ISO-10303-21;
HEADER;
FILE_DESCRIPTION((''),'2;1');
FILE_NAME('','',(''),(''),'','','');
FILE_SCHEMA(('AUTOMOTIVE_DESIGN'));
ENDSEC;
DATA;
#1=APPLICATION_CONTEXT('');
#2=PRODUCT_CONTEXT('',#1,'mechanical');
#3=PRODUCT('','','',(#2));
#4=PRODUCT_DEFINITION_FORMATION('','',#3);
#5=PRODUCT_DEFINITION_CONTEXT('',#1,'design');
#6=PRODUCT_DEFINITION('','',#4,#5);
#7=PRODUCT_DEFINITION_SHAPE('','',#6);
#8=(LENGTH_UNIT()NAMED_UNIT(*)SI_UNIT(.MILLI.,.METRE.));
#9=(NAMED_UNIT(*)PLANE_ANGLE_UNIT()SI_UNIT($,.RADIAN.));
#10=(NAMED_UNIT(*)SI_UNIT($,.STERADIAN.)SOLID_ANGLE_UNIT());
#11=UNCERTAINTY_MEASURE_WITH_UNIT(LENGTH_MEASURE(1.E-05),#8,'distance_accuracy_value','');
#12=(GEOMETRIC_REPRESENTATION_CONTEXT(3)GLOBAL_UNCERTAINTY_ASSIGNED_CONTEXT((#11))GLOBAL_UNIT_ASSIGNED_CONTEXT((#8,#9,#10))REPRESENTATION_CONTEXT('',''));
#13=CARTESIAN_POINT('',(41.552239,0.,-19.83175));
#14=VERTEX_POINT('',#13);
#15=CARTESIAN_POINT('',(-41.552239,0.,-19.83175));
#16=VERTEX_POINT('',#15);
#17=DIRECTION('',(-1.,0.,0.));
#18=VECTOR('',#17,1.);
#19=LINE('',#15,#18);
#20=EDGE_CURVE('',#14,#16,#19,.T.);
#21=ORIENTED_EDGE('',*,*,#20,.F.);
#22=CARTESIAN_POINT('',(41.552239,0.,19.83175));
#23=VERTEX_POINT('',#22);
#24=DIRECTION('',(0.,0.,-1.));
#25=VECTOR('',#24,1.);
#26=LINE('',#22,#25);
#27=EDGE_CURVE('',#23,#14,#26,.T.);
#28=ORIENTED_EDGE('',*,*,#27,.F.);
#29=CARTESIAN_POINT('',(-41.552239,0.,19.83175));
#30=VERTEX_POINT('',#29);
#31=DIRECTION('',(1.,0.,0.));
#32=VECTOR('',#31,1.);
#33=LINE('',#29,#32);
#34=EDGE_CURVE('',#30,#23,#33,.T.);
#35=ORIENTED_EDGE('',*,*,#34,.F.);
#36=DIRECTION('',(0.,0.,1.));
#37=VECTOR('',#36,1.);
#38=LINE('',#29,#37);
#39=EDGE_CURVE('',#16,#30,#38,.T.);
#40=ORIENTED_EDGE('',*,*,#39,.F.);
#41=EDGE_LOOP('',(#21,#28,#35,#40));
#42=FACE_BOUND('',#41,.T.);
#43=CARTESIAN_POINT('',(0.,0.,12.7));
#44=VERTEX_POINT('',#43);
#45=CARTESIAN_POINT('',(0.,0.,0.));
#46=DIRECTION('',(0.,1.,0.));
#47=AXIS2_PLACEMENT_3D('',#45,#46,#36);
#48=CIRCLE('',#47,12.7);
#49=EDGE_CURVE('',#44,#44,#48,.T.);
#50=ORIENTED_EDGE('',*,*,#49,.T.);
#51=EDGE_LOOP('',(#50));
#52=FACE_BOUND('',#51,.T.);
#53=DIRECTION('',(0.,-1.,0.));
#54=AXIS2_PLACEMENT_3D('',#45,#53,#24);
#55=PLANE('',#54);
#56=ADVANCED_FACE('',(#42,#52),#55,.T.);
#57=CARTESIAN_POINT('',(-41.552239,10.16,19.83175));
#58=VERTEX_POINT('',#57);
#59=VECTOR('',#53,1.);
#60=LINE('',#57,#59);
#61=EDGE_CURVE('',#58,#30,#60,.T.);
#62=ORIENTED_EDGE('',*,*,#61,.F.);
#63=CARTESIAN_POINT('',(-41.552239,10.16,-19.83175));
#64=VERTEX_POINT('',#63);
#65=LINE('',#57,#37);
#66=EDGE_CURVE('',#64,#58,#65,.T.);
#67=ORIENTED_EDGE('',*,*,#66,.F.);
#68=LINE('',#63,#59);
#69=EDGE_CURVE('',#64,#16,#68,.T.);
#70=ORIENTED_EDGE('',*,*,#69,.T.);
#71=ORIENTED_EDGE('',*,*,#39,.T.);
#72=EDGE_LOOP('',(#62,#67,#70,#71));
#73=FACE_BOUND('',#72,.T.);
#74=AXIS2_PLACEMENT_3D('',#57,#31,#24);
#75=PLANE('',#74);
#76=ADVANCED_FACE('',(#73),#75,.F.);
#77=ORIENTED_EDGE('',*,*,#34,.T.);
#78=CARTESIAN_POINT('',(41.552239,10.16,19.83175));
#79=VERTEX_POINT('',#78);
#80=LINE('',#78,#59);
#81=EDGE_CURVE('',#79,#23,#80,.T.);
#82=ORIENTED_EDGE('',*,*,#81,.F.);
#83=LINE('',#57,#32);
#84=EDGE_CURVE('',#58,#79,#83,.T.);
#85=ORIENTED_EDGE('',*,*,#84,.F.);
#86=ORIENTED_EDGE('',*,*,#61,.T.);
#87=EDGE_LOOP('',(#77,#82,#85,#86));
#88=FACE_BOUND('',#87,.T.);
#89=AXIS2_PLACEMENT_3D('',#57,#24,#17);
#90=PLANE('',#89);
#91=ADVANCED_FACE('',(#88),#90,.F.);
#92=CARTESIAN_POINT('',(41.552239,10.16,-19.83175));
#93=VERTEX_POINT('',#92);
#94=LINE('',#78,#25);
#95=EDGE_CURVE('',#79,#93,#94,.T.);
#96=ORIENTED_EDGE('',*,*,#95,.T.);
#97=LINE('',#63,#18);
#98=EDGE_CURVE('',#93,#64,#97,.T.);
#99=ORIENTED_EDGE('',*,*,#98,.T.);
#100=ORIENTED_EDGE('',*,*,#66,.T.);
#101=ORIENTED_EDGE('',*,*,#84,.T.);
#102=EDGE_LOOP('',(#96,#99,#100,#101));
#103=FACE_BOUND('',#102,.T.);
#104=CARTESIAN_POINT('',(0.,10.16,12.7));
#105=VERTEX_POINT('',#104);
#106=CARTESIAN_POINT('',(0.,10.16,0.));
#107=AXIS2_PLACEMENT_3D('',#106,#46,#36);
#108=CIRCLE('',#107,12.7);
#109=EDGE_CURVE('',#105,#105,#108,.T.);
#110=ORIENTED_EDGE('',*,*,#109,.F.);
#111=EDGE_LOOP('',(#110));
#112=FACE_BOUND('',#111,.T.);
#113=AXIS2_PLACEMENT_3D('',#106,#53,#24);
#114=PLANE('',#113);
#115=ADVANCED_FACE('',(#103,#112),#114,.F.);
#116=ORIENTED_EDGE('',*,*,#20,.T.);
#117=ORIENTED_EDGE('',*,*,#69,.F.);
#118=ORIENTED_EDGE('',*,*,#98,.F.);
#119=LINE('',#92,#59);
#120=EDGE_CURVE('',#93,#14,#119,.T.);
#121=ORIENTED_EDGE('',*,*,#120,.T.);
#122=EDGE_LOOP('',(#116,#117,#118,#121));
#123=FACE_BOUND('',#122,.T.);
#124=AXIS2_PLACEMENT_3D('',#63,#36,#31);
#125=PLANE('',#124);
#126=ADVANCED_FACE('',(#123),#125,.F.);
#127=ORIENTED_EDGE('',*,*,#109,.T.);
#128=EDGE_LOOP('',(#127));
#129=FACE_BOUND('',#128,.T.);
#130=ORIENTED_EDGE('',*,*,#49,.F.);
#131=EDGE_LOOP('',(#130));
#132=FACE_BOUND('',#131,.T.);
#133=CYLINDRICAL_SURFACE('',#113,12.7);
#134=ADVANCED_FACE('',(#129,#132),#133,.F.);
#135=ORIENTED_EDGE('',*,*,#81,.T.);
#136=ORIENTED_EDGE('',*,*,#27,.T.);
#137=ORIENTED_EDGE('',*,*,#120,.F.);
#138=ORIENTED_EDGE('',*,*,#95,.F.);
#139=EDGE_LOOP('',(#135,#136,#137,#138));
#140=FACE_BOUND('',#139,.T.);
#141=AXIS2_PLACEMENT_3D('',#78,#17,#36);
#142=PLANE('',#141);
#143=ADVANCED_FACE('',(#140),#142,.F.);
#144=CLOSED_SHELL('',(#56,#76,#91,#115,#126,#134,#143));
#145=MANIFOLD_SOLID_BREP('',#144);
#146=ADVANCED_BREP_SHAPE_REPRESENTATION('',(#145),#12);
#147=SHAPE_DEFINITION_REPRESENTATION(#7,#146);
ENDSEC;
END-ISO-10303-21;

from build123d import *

# Parameters (mm, degrees)
SKETCH1_W           = 83.104478008
SKETCH1_H           = 39.663500868
SKETCH1_R           = 12.7
BOSS_EXTRUDE1_DEPTH = 10.16


with BuildPart() as part:
    # Sketch1 → Boss-Extrude1 (new body)
    with BuildSketch(Plane(origin=(0, 0, 0), x_dir=(1, 0, 0), z_dir=(0, 1, 0))):
        Rectangle(SKETCH1_W, SKETCH1_H)
        with Locations(Location((0, 0, 0), (0, 0, 270))):
            Circle(SKETCH1_R, mode=Mode.SUBTRACT)
    extrude(amount=BOSS_EXTRUDE1_DEPTH)


solid = part.part
